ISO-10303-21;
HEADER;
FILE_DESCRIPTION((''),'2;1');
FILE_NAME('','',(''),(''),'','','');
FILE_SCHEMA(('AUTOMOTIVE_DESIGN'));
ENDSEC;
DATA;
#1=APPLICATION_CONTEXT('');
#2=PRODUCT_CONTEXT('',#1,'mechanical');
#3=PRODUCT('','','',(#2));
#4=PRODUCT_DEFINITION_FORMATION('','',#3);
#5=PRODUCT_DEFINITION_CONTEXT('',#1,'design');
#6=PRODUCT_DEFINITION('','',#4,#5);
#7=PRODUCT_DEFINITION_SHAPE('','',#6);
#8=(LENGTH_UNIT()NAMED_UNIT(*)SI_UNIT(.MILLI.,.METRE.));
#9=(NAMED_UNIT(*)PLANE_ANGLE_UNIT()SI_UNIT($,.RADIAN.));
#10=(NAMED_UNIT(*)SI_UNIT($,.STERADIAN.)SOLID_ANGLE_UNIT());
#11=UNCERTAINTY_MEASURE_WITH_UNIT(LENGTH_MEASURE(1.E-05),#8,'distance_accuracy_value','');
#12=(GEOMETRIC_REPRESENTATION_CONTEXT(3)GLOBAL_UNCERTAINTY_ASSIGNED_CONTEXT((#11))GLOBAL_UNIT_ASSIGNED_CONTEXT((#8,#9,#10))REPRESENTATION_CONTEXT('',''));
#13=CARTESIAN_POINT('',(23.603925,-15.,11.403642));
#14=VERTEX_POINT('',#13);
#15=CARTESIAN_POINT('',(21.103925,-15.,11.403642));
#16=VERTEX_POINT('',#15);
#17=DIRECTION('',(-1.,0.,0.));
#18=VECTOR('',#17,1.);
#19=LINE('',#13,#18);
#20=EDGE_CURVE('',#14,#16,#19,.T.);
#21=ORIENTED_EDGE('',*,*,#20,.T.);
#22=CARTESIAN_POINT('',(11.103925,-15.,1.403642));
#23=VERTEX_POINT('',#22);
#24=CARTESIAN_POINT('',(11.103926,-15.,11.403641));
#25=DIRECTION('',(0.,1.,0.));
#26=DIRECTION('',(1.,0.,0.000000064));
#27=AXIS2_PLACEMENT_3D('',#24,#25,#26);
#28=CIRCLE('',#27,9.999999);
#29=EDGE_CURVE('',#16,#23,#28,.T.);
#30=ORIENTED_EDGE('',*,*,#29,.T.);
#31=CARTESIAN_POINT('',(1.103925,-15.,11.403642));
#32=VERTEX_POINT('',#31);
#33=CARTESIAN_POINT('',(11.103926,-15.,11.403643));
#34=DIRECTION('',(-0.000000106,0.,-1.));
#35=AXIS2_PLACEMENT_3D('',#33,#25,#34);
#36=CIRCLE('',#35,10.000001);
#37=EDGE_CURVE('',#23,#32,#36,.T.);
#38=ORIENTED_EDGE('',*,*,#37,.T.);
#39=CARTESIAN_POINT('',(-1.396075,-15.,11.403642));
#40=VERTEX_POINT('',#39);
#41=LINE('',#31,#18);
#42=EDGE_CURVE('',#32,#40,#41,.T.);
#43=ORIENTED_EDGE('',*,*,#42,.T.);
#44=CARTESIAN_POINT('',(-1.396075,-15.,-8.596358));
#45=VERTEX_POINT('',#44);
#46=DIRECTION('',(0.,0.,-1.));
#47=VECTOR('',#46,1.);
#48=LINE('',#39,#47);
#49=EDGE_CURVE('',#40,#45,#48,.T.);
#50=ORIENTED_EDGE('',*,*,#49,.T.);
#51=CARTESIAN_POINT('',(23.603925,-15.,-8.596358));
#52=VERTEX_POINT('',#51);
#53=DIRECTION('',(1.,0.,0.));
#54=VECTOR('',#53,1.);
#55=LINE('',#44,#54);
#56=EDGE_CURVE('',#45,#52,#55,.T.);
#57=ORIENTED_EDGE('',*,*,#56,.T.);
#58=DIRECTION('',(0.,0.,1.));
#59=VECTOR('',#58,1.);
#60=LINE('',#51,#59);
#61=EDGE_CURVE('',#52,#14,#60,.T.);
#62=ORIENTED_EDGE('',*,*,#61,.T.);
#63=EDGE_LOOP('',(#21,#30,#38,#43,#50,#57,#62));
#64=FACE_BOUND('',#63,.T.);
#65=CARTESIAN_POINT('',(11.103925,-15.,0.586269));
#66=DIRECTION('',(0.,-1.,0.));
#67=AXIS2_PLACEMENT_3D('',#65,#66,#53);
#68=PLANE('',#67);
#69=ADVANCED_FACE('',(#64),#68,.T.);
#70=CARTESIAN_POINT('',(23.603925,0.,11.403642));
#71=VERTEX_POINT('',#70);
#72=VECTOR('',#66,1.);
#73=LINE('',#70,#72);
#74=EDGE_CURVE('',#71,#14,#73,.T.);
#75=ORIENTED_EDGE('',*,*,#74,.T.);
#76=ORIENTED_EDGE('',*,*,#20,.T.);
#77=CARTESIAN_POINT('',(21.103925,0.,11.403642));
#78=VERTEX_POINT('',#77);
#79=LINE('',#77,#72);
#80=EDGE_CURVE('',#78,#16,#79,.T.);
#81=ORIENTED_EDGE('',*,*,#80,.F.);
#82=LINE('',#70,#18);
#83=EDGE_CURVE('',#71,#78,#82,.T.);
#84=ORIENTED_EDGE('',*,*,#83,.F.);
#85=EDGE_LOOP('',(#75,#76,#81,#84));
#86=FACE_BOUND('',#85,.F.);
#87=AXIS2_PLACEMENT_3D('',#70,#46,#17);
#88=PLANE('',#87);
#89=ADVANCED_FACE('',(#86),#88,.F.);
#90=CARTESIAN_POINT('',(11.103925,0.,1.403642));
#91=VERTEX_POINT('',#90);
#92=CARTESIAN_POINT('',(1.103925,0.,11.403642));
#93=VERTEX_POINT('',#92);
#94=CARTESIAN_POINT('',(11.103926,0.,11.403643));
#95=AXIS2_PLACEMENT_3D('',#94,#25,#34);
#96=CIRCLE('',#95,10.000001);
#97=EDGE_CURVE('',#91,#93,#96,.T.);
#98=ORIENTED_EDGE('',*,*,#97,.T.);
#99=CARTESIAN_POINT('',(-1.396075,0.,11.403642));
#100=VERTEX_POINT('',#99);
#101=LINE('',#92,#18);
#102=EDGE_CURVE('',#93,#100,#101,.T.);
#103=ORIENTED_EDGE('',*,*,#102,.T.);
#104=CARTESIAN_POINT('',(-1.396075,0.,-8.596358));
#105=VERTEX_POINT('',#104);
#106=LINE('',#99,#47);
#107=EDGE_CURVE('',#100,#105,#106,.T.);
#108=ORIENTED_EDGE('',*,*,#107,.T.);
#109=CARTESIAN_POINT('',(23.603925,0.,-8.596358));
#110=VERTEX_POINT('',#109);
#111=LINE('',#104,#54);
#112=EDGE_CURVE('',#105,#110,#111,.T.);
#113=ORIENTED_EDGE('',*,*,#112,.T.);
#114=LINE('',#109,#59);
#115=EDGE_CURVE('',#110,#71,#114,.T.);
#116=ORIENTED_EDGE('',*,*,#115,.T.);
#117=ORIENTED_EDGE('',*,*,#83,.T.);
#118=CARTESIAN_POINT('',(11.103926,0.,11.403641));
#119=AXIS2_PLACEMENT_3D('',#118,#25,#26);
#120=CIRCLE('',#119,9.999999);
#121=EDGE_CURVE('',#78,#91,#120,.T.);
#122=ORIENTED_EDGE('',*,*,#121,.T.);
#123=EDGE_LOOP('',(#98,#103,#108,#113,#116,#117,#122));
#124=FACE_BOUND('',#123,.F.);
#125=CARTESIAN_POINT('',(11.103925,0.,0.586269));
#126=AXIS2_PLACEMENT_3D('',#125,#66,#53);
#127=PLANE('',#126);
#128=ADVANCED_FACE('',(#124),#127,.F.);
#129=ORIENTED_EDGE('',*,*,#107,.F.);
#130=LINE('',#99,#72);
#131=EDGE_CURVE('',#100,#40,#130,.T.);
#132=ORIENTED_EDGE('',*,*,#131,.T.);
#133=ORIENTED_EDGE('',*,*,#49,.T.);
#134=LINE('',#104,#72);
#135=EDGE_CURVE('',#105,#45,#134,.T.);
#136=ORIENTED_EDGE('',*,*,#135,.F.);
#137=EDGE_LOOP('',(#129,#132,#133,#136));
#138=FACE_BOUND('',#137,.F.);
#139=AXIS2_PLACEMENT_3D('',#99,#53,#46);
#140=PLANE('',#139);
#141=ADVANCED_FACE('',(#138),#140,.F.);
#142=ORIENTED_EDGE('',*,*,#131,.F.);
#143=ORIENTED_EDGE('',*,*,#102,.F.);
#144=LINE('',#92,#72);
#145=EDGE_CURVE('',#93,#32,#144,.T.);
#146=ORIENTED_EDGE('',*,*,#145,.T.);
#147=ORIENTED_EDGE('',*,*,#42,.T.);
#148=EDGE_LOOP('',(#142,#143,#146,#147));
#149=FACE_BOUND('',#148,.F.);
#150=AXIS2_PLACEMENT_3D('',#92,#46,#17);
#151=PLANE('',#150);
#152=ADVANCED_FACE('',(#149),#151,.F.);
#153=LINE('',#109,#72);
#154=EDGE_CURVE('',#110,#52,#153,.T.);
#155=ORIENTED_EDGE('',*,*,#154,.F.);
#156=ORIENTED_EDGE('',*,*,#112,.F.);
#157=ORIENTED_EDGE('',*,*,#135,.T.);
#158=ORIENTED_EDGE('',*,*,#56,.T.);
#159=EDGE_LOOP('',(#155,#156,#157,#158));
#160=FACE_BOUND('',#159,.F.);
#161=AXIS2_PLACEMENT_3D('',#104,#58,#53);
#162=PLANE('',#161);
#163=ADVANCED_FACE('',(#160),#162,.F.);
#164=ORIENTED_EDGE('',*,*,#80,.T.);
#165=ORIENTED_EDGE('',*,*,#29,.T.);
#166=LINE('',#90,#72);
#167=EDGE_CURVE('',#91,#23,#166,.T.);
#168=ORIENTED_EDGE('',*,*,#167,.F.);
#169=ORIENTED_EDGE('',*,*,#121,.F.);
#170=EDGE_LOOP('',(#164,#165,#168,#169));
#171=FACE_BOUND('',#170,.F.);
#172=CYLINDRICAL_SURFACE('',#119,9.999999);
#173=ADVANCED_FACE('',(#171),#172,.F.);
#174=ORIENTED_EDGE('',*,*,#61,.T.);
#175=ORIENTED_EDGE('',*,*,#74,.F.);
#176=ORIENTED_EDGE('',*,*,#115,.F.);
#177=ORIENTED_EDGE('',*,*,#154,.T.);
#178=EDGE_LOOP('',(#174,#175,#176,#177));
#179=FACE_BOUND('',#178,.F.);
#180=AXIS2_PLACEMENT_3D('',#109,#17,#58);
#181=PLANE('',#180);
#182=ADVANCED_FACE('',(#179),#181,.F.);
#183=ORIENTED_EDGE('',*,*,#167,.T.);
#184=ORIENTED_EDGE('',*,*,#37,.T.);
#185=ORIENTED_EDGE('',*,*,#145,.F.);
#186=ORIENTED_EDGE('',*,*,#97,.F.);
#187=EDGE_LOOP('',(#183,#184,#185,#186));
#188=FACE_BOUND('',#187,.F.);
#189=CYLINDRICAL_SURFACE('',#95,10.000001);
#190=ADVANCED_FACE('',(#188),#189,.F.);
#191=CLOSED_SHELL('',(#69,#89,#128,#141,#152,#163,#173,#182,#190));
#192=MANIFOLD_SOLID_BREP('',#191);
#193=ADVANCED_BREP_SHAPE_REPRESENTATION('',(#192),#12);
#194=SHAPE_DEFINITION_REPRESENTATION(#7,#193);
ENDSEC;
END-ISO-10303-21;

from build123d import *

# Parameters (mm, degrees)
F1_DEPTH = 15


with BuildPart() as f1:
    # F0 (on Front) → F1 (new body)
    with BuildSketch(Plane.XZ):
        with BuildLine():
            Line((23.603925, 11.403642), (21.103925, 11.403642))
            ThreePointArc((21.103925, 11.403642), (18.174993, 4.332574), (11.103925, 1.403642))
            ThreePointArc((11.103925, 1.403642), (4.032858, 4.332574), (1.103925, 11.403642))
            Line((1.103925, 11.403642), (-1.396075, 11.403642))
            Line((-1.396075, 11.403642), (-1.396075, -8.596358))
            Line((-1.396075, -8.596358), (23.603925, -8.596358))
            Line((23.603925, -8.596358), (23.603925, 11.403642))
        make_face()
    extrude(amount=F1_DEPTH)


solid = f1.part
